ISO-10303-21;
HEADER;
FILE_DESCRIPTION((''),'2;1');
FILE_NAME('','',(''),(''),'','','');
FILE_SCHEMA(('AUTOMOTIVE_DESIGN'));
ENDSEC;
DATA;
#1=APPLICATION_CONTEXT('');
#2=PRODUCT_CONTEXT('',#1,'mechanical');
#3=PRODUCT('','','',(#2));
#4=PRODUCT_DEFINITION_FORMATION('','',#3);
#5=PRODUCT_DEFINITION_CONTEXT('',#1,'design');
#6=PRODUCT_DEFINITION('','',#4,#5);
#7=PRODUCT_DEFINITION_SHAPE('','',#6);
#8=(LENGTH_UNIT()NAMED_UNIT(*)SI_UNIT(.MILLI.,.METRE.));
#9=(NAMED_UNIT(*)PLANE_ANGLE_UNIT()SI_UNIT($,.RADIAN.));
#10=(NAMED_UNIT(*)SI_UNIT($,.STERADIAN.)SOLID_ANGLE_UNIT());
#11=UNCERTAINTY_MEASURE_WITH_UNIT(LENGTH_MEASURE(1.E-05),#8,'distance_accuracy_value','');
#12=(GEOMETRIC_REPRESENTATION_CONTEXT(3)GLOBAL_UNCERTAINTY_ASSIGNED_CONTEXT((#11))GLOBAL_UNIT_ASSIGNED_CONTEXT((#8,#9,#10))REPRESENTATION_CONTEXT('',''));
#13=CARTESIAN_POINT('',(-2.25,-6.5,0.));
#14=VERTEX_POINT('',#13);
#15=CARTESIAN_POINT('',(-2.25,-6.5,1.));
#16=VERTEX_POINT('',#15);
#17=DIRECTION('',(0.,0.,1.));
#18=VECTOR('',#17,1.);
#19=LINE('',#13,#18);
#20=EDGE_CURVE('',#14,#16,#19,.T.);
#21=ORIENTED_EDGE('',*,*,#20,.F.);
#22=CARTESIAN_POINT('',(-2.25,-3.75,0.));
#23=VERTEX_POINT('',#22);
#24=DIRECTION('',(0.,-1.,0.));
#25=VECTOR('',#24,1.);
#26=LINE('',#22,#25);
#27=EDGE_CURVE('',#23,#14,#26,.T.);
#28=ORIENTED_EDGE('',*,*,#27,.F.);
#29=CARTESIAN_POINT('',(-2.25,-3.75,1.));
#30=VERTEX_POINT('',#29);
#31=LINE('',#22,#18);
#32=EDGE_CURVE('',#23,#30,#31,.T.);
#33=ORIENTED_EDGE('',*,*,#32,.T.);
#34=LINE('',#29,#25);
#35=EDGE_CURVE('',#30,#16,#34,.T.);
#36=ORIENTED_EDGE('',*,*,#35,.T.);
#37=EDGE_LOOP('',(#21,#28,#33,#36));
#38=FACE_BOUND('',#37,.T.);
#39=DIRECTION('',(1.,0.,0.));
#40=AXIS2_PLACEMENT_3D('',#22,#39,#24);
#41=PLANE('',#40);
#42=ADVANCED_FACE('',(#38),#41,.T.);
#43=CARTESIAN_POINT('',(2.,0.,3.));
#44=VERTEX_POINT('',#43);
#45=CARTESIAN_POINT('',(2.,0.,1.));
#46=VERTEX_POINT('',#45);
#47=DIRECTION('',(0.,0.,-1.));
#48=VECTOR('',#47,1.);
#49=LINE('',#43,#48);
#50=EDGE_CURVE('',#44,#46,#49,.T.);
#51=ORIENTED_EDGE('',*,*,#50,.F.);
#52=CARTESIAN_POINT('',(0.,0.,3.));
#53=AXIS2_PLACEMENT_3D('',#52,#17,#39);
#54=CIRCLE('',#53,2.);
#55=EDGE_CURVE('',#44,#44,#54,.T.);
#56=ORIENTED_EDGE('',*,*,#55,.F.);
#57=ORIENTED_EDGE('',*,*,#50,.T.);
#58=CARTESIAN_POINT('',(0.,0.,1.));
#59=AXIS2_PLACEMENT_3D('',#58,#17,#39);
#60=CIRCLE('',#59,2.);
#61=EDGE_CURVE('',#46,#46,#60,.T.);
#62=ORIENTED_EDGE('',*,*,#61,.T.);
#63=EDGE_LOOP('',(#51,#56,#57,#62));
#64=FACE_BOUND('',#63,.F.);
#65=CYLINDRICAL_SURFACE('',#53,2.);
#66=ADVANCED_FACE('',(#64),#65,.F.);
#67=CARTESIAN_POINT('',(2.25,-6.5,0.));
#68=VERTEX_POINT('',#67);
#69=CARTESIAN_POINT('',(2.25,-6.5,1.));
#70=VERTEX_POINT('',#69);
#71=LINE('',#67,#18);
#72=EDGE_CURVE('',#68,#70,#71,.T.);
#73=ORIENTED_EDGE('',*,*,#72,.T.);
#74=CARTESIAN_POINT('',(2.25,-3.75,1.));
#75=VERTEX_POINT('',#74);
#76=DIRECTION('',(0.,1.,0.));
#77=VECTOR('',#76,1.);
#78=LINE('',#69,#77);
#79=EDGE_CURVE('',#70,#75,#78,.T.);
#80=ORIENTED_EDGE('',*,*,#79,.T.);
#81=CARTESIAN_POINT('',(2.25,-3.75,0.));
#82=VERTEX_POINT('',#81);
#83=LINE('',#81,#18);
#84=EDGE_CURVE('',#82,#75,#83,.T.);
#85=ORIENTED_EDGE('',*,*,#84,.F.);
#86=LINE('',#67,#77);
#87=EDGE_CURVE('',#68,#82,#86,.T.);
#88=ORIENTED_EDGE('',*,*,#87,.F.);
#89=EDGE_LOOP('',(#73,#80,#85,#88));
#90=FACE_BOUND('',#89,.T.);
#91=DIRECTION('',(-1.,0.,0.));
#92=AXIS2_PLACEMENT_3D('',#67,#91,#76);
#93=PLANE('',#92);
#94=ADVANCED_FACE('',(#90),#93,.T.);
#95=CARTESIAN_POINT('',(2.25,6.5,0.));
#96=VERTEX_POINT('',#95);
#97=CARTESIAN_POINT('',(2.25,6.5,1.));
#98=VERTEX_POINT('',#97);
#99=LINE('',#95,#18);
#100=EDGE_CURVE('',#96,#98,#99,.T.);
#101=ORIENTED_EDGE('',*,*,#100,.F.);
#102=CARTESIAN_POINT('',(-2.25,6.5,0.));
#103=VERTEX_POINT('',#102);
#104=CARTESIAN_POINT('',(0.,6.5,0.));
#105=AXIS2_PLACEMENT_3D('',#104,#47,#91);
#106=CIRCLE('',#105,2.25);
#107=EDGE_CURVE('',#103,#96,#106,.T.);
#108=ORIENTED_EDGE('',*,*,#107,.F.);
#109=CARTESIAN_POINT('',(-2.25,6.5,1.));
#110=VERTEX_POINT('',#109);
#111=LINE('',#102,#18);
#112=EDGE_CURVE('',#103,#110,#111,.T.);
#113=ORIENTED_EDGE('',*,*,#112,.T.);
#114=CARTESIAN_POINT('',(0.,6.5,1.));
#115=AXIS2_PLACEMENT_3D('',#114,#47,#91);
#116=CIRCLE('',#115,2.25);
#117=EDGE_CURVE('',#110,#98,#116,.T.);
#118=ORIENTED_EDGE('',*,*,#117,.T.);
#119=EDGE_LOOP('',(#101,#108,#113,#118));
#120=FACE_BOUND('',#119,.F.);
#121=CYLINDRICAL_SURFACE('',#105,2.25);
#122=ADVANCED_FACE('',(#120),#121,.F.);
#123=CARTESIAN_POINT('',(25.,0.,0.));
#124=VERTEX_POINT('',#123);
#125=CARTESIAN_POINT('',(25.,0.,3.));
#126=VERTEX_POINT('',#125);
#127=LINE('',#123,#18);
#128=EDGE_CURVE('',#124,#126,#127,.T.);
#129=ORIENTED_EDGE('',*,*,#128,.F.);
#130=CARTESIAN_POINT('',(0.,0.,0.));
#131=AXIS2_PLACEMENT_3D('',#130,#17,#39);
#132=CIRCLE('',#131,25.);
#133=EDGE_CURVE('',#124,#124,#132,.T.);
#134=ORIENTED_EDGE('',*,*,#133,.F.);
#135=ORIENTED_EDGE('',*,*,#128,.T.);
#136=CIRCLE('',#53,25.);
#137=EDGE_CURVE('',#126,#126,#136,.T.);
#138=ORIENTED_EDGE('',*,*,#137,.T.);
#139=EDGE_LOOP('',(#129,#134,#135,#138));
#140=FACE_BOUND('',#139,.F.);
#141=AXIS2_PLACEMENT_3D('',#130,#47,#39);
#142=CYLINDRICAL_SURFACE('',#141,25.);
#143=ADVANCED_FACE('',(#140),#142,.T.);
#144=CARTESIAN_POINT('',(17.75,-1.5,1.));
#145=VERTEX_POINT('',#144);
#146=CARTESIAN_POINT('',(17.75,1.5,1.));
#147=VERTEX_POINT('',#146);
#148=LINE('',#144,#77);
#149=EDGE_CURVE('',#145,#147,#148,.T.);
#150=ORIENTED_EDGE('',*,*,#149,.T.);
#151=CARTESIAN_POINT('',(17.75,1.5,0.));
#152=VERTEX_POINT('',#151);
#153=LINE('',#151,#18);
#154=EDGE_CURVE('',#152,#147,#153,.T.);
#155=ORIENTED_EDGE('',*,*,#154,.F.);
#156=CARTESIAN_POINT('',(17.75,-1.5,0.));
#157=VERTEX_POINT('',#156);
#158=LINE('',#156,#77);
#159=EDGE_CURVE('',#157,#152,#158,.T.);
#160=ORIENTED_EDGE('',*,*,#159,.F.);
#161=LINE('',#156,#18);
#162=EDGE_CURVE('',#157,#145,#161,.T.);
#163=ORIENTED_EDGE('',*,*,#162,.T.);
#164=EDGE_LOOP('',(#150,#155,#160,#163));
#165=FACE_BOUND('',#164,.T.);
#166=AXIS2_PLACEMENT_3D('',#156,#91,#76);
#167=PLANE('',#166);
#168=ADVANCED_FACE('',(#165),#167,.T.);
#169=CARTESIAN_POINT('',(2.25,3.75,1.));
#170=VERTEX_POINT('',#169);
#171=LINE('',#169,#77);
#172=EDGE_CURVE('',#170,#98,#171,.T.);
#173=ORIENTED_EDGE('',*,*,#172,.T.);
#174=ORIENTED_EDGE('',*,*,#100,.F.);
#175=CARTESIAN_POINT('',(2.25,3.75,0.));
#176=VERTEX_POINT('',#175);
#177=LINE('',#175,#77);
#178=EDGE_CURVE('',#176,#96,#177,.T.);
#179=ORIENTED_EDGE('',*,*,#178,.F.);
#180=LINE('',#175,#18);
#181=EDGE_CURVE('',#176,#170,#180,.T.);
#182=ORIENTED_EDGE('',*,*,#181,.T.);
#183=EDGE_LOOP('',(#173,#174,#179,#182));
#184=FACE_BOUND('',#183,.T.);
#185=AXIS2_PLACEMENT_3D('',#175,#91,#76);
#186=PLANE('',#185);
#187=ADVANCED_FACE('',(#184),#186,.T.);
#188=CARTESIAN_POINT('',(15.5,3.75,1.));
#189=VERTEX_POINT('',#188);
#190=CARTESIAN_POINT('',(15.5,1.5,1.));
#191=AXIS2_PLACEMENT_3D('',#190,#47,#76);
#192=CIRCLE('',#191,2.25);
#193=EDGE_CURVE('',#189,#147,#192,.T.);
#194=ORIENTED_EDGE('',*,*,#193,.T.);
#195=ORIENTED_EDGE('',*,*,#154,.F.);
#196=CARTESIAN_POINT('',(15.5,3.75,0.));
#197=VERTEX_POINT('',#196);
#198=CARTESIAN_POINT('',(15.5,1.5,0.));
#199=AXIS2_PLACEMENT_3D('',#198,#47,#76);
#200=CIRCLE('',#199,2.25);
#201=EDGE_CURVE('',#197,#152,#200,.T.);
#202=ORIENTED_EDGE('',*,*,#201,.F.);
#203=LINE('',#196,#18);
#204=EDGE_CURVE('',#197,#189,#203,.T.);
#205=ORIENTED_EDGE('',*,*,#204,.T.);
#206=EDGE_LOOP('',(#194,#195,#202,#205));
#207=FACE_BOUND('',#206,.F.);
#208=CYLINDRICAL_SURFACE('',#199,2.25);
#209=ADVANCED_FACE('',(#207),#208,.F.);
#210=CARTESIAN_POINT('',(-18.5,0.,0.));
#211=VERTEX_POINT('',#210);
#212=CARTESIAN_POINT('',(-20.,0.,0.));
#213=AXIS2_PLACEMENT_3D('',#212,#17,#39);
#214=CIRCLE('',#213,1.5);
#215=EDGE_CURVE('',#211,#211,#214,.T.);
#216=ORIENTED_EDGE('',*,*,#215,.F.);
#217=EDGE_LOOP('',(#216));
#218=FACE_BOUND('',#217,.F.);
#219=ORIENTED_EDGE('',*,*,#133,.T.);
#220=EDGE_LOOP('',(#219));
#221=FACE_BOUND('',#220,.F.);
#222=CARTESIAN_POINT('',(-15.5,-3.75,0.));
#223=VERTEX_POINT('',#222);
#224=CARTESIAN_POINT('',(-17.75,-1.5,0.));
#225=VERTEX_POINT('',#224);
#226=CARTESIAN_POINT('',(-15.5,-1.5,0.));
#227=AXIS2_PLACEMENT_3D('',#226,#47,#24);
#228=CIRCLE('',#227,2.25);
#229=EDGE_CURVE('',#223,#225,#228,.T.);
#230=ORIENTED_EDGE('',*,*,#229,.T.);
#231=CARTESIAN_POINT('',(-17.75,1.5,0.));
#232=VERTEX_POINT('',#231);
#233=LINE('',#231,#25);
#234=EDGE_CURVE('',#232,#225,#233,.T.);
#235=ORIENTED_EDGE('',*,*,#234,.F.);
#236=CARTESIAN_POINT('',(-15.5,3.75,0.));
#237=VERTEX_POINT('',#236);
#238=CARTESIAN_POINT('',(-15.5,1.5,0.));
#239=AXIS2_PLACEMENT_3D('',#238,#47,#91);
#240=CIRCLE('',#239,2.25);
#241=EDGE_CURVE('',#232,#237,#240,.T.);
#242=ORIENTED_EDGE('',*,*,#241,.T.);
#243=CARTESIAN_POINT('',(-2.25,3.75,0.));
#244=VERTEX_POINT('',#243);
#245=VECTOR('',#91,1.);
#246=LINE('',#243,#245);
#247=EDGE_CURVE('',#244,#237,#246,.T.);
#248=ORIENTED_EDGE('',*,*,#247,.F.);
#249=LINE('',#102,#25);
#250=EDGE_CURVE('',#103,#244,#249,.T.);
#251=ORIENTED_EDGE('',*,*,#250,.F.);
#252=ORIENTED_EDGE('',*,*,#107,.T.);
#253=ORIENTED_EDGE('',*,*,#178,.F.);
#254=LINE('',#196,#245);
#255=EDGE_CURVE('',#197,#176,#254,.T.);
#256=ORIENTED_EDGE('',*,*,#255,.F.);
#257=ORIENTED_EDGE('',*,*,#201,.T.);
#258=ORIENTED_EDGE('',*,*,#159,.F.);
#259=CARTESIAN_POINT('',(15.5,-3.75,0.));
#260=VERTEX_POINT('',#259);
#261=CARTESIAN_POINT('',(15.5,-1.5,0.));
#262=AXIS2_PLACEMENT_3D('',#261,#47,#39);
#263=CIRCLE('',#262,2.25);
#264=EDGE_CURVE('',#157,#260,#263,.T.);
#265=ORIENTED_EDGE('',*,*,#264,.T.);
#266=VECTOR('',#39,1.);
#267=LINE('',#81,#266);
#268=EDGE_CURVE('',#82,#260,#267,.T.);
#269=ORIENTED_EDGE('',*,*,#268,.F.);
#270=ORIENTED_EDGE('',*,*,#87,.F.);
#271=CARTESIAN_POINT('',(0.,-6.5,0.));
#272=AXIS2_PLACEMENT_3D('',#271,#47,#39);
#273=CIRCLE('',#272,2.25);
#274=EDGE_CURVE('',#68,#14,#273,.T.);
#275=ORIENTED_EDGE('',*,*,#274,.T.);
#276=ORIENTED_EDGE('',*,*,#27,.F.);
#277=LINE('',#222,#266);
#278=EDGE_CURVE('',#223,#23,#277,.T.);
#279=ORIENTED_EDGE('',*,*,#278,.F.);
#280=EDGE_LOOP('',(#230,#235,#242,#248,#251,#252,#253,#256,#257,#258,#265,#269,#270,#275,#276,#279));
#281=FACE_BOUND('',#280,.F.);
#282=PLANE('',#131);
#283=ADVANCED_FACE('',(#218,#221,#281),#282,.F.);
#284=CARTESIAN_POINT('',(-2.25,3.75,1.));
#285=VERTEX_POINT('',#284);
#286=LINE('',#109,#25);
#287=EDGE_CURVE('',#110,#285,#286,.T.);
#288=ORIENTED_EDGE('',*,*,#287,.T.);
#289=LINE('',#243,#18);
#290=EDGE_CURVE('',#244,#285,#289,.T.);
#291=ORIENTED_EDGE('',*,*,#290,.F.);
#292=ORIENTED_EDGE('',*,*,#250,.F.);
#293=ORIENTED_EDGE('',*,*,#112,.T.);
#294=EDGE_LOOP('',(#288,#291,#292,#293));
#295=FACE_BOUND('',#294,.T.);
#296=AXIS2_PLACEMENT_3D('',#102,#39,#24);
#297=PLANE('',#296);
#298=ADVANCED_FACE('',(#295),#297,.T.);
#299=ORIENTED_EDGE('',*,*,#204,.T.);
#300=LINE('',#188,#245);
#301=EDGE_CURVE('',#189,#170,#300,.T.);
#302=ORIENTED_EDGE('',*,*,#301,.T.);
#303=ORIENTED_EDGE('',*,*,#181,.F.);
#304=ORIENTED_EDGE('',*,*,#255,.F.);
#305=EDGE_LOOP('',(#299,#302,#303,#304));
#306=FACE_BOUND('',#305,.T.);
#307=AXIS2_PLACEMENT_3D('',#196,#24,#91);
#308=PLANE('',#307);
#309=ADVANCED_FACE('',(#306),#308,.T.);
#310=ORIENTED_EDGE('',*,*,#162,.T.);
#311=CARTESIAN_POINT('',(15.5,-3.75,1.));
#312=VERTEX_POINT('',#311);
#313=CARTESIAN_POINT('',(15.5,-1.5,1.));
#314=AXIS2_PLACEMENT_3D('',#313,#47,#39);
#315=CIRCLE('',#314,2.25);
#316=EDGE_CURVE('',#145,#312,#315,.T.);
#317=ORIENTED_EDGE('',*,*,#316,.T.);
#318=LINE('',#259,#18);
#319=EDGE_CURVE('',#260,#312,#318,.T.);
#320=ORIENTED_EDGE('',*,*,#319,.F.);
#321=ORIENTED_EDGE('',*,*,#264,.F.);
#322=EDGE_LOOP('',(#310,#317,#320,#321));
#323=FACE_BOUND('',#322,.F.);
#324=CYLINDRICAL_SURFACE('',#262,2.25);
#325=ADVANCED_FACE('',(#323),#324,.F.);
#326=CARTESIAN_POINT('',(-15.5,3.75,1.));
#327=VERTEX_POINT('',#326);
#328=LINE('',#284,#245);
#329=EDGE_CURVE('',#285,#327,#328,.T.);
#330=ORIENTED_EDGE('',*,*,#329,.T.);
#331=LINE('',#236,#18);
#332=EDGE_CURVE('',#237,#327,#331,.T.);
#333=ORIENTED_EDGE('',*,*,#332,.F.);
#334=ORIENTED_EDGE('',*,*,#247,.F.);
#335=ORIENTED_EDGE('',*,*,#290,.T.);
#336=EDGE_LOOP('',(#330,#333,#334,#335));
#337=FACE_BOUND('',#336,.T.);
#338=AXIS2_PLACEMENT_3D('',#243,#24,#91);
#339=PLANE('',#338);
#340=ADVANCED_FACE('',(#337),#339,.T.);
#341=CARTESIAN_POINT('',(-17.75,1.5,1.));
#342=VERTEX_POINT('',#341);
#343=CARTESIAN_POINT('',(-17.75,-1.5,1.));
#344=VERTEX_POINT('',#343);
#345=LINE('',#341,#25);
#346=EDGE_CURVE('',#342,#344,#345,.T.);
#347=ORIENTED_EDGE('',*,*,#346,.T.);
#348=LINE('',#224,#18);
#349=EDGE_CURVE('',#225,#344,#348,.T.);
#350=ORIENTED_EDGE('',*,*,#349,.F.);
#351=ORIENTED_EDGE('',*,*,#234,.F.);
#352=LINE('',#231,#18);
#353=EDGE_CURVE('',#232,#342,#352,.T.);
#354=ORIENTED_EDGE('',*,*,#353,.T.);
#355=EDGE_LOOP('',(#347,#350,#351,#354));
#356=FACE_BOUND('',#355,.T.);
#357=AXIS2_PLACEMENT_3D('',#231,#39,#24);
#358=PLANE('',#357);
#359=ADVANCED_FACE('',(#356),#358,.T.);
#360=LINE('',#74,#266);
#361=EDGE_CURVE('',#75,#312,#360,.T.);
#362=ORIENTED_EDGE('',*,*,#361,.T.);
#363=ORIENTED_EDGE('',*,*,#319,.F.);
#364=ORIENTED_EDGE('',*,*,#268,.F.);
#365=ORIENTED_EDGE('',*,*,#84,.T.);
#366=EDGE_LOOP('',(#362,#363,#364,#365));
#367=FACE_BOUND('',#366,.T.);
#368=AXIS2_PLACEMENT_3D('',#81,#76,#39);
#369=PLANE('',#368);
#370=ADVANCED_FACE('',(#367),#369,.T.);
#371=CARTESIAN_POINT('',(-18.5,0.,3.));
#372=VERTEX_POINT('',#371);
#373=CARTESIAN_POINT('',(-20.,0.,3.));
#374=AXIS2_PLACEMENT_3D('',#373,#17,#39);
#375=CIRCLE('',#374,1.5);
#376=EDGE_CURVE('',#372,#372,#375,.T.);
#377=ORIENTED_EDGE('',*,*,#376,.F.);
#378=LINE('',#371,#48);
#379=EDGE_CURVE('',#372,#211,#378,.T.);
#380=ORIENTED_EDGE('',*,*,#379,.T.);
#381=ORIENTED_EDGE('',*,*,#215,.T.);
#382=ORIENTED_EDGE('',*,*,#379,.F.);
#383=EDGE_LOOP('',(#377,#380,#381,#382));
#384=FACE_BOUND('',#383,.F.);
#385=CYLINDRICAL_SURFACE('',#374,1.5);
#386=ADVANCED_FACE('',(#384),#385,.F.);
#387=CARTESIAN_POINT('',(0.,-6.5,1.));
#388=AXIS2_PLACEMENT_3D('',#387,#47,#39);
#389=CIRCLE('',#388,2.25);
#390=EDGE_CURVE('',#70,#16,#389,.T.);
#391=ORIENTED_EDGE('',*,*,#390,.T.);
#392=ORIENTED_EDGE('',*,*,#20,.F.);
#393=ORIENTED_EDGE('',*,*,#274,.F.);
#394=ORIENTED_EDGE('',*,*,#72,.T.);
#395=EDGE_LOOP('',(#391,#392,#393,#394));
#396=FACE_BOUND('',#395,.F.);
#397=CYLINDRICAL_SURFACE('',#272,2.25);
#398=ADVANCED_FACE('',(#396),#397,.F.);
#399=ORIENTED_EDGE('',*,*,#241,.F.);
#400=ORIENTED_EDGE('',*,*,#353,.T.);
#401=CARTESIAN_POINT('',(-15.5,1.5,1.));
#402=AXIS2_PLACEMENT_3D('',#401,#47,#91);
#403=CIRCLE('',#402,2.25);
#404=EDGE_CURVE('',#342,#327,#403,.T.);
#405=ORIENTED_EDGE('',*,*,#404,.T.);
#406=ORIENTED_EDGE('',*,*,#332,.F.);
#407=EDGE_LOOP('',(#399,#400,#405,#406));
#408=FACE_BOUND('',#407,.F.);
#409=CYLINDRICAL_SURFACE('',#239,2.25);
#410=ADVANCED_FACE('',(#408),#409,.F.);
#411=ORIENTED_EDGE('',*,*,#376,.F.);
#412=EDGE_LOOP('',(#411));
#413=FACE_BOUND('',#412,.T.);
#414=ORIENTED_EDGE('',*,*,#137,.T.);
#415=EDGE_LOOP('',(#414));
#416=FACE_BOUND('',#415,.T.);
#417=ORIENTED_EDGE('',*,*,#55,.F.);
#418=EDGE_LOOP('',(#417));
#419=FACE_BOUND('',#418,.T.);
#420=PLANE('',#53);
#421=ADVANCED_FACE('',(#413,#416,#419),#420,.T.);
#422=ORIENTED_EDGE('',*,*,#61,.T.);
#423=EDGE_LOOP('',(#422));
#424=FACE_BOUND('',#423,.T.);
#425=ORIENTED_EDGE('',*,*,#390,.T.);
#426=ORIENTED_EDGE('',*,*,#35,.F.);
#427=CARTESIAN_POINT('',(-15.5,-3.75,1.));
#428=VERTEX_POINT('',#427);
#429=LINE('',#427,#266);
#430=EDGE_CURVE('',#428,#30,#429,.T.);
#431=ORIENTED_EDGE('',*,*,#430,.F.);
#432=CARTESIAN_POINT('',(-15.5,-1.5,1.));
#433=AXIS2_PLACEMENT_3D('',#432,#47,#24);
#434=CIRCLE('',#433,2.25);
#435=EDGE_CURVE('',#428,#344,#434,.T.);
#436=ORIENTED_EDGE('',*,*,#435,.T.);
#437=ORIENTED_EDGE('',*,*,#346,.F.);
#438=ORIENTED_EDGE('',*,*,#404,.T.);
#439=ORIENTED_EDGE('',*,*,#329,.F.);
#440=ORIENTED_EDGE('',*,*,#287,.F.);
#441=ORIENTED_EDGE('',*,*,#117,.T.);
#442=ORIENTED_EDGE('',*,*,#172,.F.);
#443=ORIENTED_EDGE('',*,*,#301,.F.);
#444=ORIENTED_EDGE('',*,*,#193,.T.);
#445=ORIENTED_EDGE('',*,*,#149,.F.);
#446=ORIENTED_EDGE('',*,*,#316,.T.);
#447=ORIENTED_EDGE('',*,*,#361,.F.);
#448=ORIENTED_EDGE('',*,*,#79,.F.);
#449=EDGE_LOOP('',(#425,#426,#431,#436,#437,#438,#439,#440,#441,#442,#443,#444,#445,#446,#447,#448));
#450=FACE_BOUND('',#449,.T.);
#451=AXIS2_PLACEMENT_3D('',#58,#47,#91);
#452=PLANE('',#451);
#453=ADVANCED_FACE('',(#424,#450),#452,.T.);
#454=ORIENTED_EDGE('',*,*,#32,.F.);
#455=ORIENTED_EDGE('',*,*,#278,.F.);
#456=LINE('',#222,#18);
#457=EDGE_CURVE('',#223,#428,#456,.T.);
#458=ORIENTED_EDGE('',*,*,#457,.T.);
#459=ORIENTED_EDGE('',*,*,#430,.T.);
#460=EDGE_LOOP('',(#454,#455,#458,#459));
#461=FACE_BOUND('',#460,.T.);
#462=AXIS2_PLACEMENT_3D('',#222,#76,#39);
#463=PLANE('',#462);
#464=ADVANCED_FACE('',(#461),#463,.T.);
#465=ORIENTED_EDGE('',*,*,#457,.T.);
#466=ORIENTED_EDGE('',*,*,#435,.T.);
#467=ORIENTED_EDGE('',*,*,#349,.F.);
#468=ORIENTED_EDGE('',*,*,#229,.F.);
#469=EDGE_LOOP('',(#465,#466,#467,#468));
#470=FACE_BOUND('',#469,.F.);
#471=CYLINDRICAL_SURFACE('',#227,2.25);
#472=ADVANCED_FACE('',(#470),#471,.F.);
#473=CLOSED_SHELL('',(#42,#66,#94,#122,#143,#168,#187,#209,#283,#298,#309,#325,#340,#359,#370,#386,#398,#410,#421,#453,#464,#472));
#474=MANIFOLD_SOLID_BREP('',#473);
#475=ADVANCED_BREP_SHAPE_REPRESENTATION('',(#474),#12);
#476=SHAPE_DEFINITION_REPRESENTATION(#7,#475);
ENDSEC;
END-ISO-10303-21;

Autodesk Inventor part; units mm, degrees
ref_plane "YZ Plane" through (0, 0, 0) normal (1, 0, 0) x (0, 1, 0)
ref_plane "XZ Plane" through (0, 0, 0) normal (0, 1, 0) x (-1, 0, 0)
ref_plane "XY Plane" through (0, 0, 0) normal (0, 0, 1) x (1, 0, 0)
sketch "Boceto1" plane through (0, 0, 0) normal (0, 0, 1) x (1, 0, 0)
  circle A0 centre (0, 0) radius 25
  dimension "d0" = 50
extrude "Extrusión1" add sketch "Boceto1" along normal blind 3
sketch "Boceto2" plane through (0, 0, 3) normal (0, 0, 1) x (1, 0, 0)
  circle A0 centre (0, 0) radius 2
  dimension "d3" = 4
extrude "Extrusión2" cut sketch "Boceto2" against normal blind 3
sketch "Boceto3" plane through (0, 0, 3) normal (0, 0, 1) x (1, 0, 0)
  circle A0 centre (0, 0) radius 2 construction
  circle A1 centre (0, 0) radius 25 construction
  line L0 (0, 0) -> (-25, 0) construction
  circle A2 centre (0, 0) radius 25 construction
  circle A3 centre (-20, 0) radius 1.5
  dimension "d6" = 3
  dimension "d7" = 20
extrude "Extrusión3" cut sketch "Boceto3" against normal blind 3
sketch "Boceto4" plane through (0, 0, 0) normal (0, 0, -1) x (-1, 0, 0)
  arc A0 (-17.5, -1.5) -> (-15.5, -3.5) centre (-15.5, -1.5) ccw construction
  line L0 (-2, -3.5) -> (-15.5, -3.5) construction
  line L1 (-2, -6.5) -> (-2, -3.5) construction
  arc A1 (-2, -6.5) -> (2, -6.5) centre (0, -6.5) ccw construction
  line L2 (2, -3.5) -> (2, -6.5) construction
  line L3 (15.5, -3.5) -> (2, -3.5) construction
  arc A2 (15.5, -3.5) -> (17.5, -1.5) centre (15.5, -1.5) ccw construction
  line L4 (17.5, 1.5) -> (17.5, -1.5) construction
  arc A3 (17.5, 1.5) -> (15.5, 3.5) centre (15.5, 1.5) ccw construction
  line L5 (2, 3.5) -> (15.5, 3.5) construction
  line L6 (2, 6.5) -> (2, 3.5) construction
  arc A4 (2, 6.5) -> (-2, 6.5) centre (0, 6.5) ccw construction
  line L7 (-2, 3.5) -> (-2, 6.5) construction
  line L8 (-15.5, 3.5) -> (-2, 3.5) construction
  arc A5 (-15.5, 3.5) -> (-17.5, 1.5) centre (-15.5, 1.5) ccw construction
  line L9 (-17.5, -1.5) -> (-17.5, 1.5) construction
  line L10 (0, 8.5) -> (0, -8.5) construction
  line L11 (-17.5, 0) -> (17.5, 0) construction
  line L12 (-2.25, 3.75) -> (-2.25, 6.5)
  arc A6 (2.25, 6.5) -> (-2.25, 6.5) centre (0, 6.5) ccw
  line L13 (2.25, 6.5) -> (2.25, 3.75)
  line L14 (2.25, 3.75) -> (15.5, 3.75)
  arc A7 (17.75, 1.5) -> (15.5, 3.75) centre (15.5, 1.5) ccw
  line L15 (17.75, 1.5) -> (17.75, -1.5)
  arc A8 (15.5, -3.75) -> (17.75, -1.5) centre (15.5, -1.5) ccw
  line L16 (15.5, -3.75) -> (2.25, -3.75)
  line L17 (2.25, -3.75) -> (2.25, -6.5)
  arc A9 (-2.25, -6.5) -> (2.25, -6.5) centre (0, -6.5) ccw
  line L18 (-2.25, -6.5) -> (-2.25, -3.75)
  line L19 (-2.25, -3.75) -> (-15.5, -3.75)
  arc A10 (-17.75, -1.5) -> (-15.5, -3.75) centre (-15.5, -1.5) ccw
  line L20 (-17.75, -1.5) -> (-17.75, 1.5)
  arc A11 (-15.5, 3.75) -> (-17.75, 1.5) centre (-15.5, 1.5) ccw
  line L21 (-15.5, 3.75) -> (-2.25, 3.75)
  point P0 (0, 0)
  point P1 (17.5, -3.5)
  point P2 (0, 0)
  dimension "d10" = 0.25
extrude "Extrusión4" cut sketch "Boceto4" against normal blind 1
properties part number "rueda"
